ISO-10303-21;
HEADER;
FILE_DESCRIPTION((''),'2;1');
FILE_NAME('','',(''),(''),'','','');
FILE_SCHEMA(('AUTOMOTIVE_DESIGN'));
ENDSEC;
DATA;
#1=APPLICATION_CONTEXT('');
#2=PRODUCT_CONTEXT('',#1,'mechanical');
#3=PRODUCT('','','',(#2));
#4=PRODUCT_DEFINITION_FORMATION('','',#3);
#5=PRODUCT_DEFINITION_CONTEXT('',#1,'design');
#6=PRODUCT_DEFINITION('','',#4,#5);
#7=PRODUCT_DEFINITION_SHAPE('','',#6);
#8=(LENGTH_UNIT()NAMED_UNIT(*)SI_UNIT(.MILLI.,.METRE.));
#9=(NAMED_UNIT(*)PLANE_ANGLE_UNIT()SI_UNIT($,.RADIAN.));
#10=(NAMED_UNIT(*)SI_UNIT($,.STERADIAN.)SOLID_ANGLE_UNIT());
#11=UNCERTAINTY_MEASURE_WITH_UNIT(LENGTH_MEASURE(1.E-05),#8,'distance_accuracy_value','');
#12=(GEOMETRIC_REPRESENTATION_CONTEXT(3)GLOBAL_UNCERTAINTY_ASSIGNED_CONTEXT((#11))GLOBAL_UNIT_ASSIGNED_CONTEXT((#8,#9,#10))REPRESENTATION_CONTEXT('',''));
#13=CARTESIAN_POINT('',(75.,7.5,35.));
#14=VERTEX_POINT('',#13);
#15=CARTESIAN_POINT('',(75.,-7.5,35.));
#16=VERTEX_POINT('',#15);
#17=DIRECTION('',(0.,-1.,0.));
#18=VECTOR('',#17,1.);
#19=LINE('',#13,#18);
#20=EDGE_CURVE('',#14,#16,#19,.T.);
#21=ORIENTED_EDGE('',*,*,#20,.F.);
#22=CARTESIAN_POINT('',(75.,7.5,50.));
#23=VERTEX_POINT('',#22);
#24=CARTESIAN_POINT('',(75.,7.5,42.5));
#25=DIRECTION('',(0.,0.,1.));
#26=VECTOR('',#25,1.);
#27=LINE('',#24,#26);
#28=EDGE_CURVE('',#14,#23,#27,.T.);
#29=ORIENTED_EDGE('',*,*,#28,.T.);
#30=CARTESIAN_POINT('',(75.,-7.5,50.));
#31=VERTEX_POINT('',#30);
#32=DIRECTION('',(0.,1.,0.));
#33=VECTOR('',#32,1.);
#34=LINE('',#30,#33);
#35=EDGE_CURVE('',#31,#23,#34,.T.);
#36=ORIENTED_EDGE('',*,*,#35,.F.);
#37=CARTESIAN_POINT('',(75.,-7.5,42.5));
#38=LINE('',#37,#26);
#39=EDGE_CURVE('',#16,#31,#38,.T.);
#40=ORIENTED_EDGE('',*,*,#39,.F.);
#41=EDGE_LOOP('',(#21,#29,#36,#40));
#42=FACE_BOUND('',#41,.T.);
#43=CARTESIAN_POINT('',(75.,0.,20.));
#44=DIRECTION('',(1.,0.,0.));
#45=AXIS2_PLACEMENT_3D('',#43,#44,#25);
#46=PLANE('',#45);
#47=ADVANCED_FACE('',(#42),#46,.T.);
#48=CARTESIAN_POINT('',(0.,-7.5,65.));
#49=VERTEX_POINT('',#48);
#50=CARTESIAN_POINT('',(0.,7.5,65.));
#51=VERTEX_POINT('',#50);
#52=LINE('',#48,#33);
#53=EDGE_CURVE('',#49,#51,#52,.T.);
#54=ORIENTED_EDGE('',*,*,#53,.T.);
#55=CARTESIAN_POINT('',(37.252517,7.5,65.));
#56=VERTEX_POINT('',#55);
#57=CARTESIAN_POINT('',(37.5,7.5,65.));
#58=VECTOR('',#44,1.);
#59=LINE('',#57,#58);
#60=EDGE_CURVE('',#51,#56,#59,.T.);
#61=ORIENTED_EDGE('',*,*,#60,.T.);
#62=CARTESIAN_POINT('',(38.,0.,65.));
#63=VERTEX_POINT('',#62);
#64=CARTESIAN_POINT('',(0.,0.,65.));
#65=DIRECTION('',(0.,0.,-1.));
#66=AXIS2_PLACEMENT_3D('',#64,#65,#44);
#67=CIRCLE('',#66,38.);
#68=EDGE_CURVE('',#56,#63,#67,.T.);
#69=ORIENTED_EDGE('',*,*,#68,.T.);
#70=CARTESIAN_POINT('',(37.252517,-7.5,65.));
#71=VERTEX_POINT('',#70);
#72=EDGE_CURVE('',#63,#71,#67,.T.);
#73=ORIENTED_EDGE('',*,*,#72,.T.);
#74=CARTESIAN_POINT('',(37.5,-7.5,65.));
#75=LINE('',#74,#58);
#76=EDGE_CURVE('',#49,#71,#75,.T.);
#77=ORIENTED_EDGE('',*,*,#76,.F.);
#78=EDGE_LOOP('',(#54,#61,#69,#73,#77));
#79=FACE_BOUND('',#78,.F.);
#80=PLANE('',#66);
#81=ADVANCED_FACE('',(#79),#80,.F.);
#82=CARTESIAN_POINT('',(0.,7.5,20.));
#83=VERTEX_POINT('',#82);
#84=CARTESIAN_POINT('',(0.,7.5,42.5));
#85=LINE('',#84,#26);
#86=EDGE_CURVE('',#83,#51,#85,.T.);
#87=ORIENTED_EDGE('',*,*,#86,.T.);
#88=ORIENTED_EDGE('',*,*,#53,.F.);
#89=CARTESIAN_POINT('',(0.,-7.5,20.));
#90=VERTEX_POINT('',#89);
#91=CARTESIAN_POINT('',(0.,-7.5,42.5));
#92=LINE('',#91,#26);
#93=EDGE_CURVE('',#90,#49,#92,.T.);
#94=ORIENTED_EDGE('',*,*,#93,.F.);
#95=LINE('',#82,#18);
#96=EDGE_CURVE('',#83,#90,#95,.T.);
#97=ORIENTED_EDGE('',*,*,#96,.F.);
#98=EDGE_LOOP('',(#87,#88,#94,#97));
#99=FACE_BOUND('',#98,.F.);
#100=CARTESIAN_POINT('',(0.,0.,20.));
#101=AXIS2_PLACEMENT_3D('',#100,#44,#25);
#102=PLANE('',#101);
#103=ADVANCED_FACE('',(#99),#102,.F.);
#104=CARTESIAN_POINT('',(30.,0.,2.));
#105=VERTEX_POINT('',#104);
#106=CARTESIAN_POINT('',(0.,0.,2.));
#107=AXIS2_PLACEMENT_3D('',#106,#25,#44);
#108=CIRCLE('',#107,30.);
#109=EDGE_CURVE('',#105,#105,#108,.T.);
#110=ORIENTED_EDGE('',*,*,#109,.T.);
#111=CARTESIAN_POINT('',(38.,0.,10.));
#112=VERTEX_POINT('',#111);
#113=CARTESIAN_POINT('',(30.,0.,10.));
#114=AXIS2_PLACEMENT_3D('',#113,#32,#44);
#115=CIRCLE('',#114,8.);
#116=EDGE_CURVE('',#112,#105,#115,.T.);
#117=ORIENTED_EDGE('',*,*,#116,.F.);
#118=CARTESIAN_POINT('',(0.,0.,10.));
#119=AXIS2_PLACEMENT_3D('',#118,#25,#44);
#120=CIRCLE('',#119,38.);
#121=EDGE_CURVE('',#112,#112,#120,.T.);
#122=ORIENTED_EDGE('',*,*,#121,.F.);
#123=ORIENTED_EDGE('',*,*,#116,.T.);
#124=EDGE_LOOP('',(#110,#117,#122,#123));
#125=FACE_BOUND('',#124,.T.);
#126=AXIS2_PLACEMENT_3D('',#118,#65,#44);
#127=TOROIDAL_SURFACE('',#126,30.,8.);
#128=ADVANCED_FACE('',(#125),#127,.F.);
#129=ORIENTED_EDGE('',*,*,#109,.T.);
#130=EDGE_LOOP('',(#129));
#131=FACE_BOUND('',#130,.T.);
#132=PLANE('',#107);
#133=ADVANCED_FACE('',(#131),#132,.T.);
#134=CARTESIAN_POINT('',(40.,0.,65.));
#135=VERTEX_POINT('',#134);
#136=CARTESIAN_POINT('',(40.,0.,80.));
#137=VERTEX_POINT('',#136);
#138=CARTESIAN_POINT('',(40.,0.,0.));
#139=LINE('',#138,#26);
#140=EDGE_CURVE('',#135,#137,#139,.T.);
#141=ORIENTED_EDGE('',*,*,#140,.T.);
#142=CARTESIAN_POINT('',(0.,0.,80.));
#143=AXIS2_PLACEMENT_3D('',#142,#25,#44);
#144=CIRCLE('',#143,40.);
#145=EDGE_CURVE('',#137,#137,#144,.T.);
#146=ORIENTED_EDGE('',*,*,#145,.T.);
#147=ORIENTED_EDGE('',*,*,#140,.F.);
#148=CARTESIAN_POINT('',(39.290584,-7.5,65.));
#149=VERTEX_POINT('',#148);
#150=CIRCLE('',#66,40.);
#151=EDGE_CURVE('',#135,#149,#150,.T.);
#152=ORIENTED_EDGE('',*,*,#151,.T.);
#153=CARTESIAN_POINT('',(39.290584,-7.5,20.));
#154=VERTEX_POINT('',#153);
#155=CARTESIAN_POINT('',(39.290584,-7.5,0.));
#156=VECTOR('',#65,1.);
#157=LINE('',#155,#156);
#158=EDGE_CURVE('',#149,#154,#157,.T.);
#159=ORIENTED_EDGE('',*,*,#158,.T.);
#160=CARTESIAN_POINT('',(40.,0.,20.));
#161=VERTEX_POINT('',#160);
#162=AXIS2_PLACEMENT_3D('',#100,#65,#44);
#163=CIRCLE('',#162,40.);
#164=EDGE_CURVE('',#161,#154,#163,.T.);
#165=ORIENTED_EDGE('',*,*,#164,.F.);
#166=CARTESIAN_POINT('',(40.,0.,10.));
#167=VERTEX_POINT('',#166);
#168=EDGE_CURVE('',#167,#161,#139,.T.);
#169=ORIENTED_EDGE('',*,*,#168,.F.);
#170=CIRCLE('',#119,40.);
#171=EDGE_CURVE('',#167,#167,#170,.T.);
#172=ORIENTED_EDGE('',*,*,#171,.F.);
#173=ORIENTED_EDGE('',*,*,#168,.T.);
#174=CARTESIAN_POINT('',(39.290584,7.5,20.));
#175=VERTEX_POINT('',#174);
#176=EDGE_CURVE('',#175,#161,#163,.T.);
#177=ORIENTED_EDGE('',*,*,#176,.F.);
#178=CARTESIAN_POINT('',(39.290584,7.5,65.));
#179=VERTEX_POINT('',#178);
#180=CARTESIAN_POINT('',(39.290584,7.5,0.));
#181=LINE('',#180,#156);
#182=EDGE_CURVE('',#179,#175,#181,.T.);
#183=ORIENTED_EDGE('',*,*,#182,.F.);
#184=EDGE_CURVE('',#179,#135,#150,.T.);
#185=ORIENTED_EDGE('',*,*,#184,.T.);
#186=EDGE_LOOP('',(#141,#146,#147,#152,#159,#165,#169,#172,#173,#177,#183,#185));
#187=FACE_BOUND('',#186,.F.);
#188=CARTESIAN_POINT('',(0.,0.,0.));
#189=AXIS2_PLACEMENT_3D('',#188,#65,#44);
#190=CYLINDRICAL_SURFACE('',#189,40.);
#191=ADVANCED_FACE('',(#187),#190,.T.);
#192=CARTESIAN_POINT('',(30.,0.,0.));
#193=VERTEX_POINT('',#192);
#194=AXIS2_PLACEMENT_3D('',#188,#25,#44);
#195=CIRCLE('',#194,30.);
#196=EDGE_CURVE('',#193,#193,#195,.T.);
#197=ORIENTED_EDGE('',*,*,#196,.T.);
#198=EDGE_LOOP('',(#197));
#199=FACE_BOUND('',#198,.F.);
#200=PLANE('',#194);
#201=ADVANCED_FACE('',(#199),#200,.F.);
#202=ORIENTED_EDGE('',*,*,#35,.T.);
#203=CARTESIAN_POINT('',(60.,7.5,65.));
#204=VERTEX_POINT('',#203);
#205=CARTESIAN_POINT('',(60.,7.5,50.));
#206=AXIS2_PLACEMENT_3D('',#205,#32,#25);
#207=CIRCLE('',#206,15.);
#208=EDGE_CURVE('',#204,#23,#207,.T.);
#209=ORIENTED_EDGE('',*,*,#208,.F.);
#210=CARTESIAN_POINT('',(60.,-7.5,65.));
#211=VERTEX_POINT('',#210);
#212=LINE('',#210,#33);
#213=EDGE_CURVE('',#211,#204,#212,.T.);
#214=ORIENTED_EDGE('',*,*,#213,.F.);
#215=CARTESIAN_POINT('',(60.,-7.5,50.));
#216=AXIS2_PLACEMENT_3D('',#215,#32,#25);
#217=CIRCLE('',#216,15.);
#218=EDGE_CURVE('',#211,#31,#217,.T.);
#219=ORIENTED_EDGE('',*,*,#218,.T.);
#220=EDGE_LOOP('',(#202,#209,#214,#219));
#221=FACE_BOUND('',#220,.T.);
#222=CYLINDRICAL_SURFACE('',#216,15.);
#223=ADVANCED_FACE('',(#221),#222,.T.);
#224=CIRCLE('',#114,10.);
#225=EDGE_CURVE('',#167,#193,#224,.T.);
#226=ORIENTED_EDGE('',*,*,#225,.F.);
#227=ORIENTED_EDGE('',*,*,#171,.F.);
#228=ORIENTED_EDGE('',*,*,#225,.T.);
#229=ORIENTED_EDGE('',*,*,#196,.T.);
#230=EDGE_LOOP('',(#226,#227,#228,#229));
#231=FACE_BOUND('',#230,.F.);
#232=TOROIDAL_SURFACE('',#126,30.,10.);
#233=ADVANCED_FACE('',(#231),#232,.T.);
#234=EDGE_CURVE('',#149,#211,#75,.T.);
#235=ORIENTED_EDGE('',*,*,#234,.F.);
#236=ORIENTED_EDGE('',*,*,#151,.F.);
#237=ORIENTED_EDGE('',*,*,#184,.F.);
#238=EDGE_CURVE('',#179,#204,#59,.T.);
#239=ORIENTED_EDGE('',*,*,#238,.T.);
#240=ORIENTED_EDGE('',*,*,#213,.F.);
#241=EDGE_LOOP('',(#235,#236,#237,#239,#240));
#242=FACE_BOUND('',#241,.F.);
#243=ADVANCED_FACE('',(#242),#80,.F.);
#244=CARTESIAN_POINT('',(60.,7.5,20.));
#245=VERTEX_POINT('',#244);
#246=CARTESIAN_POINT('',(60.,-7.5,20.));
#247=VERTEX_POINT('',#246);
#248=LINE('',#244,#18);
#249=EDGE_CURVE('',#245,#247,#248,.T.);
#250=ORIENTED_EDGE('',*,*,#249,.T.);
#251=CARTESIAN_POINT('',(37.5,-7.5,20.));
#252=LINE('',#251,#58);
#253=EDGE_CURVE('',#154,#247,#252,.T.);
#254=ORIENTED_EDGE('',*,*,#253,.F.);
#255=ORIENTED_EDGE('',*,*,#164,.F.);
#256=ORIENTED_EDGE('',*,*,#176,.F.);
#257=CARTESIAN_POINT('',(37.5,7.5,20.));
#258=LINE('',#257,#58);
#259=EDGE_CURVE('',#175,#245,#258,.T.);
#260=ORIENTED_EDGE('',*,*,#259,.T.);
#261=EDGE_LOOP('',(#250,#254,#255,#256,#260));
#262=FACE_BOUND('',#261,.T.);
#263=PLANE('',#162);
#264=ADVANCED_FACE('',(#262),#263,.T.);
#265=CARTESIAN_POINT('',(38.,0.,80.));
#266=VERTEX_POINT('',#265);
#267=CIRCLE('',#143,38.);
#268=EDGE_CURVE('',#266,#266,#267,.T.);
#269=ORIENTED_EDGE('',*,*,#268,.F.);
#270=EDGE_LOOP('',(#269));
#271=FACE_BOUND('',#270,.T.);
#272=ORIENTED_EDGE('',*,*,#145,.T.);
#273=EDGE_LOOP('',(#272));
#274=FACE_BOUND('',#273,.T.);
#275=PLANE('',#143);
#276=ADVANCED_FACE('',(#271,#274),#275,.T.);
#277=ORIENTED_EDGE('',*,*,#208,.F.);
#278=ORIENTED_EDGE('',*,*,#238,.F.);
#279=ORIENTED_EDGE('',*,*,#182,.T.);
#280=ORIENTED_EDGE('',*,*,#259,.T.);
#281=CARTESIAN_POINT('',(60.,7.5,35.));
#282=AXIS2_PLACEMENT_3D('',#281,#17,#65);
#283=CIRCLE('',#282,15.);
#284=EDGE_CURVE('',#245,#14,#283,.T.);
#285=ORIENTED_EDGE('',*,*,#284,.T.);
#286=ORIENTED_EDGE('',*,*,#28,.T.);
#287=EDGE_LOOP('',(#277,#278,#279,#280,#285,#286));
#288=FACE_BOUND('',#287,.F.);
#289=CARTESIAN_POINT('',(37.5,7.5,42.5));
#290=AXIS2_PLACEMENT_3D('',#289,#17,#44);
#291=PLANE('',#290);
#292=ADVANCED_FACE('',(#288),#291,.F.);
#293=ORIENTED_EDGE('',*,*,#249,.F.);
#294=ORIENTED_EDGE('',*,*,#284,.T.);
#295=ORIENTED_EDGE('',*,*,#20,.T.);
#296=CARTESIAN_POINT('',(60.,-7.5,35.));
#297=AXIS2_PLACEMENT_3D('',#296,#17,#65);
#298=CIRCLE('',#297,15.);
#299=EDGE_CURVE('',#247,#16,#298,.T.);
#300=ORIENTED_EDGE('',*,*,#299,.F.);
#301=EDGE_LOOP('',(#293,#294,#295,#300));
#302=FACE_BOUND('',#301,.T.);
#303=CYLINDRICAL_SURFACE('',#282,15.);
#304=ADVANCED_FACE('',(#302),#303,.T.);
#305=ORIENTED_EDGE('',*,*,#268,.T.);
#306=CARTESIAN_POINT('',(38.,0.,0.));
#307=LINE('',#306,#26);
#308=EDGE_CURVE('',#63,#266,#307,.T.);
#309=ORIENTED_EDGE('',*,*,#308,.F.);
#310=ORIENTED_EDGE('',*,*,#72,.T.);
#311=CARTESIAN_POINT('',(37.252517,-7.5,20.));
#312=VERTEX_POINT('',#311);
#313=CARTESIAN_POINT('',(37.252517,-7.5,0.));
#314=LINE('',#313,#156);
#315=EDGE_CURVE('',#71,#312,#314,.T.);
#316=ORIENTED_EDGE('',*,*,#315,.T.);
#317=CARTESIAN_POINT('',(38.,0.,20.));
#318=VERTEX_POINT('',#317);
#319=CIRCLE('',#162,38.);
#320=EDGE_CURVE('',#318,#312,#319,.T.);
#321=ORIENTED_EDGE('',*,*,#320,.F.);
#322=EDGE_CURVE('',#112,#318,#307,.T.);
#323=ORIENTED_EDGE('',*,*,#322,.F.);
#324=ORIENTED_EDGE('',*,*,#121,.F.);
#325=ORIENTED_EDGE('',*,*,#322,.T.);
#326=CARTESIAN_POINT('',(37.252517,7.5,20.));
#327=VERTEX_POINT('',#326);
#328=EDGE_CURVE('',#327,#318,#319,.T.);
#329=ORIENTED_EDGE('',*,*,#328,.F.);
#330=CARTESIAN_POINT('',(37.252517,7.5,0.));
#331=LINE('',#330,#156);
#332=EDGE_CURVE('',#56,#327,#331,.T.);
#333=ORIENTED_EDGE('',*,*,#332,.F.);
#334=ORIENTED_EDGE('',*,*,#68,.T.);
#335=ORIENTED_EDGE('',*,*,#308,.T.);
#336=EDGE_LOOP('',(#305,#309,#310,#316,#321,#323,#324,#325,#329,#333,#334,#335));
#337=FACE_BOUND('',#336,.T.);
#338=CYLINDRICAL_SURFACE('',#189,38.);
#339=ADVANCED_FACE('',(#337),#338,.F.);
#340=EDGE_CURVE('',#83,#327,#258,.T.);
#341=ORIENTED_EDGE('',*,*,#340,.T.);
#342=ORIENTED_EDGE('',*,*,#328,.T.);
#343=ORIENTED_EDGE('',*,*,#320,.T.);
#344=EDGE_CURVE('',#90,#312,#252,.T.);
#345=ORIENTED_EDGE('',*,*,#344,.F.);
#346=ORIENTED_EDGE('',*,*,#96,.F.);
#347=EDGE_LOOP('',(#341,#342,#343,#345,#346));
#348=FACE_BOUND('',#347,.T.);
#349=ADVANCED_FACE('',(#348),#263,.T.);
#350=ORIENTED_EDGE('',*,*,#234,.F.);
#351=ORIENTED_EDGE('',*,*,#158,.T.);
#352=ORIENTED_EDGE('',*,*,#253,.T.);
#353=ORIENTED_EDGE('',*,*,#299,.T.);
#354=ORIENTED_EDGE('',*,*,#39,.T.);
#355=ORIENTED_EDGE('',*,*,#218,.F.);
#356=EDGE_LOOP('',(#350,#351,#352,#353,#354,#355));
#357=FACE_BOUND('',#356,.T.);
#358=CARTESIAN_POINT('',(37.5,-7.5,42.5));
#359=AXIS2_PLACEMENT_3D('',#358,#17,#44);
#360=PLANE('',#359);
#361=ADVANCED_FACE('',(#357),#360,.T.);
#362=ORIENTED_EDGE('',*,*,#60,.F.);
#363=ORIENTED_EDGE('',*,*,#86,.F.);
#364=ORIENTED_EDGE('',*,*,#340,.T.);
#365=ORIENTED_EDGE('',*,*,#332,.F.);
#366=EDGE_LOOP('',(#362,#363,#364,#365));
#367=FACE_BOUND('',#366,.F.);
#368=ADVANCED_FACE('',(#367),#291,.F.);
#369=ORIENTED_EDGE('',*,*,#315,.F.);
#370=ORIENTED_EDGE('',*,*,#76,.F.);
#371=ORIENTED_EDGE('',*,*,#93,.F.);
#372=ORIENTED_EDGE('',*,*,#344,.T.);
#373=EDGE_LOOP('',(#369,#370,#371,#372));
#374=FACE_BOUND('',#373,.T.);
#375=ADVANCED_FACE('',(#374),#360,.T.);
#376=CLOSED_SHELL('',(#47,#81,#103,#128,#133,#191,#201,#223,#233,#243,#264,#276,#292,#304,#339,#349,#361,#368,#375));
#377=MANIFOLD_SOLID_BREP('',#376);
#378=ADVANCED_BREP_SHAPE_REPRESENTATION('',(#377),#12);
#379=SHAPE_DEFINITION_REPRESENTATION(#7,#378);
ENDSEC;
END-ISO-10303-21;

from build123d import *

# Parameters (mm, degrees)
F0_R     = 40
F1_DEPTH = 80
F2_R     = 10
F3_T     = -2
F4_W     = 75
F4_H     = 45
F5_DEPTH = 7.5
F6_R     = 15


with BuildPart() as f1:
    # F0 (on Top) → F1 (new body)
    with BuildSketch(Plane.XY):
        Circle(F0_R)
    extrude(amount=F1_DEPTH)

    # F2
    f2_edges = [f1.edges().sort_by_distance(p)[0] for p in [
        (-40, 0, 0),
    ]]
    fillet(f2_edges, radius=F2_R)

    # F3
    f3_openings = [f1.faces().sort_by_distance(p)[0] for p in [
        (0, 0, 80),
    ]]
    offset(amount=F3_T, openings=f3_openings)

    # F4 (on Front) → F5 (join, symmetric)
    with BuildSketch(Plane.XZ):
        with Locations((37.5, 42.5)):
            Rectangle(F4_W, F4_H)
    extrude(amount=F5_DEPTH, both=True)

    # F6
    f6_edges = [f1.edges().sort_by_distance(p)[0] for p in [
        (75, 0, 65),
        (75, 0, 20),
    ]]
    fillet(f6_edges, radius=F6_R)


solid = f1.part
